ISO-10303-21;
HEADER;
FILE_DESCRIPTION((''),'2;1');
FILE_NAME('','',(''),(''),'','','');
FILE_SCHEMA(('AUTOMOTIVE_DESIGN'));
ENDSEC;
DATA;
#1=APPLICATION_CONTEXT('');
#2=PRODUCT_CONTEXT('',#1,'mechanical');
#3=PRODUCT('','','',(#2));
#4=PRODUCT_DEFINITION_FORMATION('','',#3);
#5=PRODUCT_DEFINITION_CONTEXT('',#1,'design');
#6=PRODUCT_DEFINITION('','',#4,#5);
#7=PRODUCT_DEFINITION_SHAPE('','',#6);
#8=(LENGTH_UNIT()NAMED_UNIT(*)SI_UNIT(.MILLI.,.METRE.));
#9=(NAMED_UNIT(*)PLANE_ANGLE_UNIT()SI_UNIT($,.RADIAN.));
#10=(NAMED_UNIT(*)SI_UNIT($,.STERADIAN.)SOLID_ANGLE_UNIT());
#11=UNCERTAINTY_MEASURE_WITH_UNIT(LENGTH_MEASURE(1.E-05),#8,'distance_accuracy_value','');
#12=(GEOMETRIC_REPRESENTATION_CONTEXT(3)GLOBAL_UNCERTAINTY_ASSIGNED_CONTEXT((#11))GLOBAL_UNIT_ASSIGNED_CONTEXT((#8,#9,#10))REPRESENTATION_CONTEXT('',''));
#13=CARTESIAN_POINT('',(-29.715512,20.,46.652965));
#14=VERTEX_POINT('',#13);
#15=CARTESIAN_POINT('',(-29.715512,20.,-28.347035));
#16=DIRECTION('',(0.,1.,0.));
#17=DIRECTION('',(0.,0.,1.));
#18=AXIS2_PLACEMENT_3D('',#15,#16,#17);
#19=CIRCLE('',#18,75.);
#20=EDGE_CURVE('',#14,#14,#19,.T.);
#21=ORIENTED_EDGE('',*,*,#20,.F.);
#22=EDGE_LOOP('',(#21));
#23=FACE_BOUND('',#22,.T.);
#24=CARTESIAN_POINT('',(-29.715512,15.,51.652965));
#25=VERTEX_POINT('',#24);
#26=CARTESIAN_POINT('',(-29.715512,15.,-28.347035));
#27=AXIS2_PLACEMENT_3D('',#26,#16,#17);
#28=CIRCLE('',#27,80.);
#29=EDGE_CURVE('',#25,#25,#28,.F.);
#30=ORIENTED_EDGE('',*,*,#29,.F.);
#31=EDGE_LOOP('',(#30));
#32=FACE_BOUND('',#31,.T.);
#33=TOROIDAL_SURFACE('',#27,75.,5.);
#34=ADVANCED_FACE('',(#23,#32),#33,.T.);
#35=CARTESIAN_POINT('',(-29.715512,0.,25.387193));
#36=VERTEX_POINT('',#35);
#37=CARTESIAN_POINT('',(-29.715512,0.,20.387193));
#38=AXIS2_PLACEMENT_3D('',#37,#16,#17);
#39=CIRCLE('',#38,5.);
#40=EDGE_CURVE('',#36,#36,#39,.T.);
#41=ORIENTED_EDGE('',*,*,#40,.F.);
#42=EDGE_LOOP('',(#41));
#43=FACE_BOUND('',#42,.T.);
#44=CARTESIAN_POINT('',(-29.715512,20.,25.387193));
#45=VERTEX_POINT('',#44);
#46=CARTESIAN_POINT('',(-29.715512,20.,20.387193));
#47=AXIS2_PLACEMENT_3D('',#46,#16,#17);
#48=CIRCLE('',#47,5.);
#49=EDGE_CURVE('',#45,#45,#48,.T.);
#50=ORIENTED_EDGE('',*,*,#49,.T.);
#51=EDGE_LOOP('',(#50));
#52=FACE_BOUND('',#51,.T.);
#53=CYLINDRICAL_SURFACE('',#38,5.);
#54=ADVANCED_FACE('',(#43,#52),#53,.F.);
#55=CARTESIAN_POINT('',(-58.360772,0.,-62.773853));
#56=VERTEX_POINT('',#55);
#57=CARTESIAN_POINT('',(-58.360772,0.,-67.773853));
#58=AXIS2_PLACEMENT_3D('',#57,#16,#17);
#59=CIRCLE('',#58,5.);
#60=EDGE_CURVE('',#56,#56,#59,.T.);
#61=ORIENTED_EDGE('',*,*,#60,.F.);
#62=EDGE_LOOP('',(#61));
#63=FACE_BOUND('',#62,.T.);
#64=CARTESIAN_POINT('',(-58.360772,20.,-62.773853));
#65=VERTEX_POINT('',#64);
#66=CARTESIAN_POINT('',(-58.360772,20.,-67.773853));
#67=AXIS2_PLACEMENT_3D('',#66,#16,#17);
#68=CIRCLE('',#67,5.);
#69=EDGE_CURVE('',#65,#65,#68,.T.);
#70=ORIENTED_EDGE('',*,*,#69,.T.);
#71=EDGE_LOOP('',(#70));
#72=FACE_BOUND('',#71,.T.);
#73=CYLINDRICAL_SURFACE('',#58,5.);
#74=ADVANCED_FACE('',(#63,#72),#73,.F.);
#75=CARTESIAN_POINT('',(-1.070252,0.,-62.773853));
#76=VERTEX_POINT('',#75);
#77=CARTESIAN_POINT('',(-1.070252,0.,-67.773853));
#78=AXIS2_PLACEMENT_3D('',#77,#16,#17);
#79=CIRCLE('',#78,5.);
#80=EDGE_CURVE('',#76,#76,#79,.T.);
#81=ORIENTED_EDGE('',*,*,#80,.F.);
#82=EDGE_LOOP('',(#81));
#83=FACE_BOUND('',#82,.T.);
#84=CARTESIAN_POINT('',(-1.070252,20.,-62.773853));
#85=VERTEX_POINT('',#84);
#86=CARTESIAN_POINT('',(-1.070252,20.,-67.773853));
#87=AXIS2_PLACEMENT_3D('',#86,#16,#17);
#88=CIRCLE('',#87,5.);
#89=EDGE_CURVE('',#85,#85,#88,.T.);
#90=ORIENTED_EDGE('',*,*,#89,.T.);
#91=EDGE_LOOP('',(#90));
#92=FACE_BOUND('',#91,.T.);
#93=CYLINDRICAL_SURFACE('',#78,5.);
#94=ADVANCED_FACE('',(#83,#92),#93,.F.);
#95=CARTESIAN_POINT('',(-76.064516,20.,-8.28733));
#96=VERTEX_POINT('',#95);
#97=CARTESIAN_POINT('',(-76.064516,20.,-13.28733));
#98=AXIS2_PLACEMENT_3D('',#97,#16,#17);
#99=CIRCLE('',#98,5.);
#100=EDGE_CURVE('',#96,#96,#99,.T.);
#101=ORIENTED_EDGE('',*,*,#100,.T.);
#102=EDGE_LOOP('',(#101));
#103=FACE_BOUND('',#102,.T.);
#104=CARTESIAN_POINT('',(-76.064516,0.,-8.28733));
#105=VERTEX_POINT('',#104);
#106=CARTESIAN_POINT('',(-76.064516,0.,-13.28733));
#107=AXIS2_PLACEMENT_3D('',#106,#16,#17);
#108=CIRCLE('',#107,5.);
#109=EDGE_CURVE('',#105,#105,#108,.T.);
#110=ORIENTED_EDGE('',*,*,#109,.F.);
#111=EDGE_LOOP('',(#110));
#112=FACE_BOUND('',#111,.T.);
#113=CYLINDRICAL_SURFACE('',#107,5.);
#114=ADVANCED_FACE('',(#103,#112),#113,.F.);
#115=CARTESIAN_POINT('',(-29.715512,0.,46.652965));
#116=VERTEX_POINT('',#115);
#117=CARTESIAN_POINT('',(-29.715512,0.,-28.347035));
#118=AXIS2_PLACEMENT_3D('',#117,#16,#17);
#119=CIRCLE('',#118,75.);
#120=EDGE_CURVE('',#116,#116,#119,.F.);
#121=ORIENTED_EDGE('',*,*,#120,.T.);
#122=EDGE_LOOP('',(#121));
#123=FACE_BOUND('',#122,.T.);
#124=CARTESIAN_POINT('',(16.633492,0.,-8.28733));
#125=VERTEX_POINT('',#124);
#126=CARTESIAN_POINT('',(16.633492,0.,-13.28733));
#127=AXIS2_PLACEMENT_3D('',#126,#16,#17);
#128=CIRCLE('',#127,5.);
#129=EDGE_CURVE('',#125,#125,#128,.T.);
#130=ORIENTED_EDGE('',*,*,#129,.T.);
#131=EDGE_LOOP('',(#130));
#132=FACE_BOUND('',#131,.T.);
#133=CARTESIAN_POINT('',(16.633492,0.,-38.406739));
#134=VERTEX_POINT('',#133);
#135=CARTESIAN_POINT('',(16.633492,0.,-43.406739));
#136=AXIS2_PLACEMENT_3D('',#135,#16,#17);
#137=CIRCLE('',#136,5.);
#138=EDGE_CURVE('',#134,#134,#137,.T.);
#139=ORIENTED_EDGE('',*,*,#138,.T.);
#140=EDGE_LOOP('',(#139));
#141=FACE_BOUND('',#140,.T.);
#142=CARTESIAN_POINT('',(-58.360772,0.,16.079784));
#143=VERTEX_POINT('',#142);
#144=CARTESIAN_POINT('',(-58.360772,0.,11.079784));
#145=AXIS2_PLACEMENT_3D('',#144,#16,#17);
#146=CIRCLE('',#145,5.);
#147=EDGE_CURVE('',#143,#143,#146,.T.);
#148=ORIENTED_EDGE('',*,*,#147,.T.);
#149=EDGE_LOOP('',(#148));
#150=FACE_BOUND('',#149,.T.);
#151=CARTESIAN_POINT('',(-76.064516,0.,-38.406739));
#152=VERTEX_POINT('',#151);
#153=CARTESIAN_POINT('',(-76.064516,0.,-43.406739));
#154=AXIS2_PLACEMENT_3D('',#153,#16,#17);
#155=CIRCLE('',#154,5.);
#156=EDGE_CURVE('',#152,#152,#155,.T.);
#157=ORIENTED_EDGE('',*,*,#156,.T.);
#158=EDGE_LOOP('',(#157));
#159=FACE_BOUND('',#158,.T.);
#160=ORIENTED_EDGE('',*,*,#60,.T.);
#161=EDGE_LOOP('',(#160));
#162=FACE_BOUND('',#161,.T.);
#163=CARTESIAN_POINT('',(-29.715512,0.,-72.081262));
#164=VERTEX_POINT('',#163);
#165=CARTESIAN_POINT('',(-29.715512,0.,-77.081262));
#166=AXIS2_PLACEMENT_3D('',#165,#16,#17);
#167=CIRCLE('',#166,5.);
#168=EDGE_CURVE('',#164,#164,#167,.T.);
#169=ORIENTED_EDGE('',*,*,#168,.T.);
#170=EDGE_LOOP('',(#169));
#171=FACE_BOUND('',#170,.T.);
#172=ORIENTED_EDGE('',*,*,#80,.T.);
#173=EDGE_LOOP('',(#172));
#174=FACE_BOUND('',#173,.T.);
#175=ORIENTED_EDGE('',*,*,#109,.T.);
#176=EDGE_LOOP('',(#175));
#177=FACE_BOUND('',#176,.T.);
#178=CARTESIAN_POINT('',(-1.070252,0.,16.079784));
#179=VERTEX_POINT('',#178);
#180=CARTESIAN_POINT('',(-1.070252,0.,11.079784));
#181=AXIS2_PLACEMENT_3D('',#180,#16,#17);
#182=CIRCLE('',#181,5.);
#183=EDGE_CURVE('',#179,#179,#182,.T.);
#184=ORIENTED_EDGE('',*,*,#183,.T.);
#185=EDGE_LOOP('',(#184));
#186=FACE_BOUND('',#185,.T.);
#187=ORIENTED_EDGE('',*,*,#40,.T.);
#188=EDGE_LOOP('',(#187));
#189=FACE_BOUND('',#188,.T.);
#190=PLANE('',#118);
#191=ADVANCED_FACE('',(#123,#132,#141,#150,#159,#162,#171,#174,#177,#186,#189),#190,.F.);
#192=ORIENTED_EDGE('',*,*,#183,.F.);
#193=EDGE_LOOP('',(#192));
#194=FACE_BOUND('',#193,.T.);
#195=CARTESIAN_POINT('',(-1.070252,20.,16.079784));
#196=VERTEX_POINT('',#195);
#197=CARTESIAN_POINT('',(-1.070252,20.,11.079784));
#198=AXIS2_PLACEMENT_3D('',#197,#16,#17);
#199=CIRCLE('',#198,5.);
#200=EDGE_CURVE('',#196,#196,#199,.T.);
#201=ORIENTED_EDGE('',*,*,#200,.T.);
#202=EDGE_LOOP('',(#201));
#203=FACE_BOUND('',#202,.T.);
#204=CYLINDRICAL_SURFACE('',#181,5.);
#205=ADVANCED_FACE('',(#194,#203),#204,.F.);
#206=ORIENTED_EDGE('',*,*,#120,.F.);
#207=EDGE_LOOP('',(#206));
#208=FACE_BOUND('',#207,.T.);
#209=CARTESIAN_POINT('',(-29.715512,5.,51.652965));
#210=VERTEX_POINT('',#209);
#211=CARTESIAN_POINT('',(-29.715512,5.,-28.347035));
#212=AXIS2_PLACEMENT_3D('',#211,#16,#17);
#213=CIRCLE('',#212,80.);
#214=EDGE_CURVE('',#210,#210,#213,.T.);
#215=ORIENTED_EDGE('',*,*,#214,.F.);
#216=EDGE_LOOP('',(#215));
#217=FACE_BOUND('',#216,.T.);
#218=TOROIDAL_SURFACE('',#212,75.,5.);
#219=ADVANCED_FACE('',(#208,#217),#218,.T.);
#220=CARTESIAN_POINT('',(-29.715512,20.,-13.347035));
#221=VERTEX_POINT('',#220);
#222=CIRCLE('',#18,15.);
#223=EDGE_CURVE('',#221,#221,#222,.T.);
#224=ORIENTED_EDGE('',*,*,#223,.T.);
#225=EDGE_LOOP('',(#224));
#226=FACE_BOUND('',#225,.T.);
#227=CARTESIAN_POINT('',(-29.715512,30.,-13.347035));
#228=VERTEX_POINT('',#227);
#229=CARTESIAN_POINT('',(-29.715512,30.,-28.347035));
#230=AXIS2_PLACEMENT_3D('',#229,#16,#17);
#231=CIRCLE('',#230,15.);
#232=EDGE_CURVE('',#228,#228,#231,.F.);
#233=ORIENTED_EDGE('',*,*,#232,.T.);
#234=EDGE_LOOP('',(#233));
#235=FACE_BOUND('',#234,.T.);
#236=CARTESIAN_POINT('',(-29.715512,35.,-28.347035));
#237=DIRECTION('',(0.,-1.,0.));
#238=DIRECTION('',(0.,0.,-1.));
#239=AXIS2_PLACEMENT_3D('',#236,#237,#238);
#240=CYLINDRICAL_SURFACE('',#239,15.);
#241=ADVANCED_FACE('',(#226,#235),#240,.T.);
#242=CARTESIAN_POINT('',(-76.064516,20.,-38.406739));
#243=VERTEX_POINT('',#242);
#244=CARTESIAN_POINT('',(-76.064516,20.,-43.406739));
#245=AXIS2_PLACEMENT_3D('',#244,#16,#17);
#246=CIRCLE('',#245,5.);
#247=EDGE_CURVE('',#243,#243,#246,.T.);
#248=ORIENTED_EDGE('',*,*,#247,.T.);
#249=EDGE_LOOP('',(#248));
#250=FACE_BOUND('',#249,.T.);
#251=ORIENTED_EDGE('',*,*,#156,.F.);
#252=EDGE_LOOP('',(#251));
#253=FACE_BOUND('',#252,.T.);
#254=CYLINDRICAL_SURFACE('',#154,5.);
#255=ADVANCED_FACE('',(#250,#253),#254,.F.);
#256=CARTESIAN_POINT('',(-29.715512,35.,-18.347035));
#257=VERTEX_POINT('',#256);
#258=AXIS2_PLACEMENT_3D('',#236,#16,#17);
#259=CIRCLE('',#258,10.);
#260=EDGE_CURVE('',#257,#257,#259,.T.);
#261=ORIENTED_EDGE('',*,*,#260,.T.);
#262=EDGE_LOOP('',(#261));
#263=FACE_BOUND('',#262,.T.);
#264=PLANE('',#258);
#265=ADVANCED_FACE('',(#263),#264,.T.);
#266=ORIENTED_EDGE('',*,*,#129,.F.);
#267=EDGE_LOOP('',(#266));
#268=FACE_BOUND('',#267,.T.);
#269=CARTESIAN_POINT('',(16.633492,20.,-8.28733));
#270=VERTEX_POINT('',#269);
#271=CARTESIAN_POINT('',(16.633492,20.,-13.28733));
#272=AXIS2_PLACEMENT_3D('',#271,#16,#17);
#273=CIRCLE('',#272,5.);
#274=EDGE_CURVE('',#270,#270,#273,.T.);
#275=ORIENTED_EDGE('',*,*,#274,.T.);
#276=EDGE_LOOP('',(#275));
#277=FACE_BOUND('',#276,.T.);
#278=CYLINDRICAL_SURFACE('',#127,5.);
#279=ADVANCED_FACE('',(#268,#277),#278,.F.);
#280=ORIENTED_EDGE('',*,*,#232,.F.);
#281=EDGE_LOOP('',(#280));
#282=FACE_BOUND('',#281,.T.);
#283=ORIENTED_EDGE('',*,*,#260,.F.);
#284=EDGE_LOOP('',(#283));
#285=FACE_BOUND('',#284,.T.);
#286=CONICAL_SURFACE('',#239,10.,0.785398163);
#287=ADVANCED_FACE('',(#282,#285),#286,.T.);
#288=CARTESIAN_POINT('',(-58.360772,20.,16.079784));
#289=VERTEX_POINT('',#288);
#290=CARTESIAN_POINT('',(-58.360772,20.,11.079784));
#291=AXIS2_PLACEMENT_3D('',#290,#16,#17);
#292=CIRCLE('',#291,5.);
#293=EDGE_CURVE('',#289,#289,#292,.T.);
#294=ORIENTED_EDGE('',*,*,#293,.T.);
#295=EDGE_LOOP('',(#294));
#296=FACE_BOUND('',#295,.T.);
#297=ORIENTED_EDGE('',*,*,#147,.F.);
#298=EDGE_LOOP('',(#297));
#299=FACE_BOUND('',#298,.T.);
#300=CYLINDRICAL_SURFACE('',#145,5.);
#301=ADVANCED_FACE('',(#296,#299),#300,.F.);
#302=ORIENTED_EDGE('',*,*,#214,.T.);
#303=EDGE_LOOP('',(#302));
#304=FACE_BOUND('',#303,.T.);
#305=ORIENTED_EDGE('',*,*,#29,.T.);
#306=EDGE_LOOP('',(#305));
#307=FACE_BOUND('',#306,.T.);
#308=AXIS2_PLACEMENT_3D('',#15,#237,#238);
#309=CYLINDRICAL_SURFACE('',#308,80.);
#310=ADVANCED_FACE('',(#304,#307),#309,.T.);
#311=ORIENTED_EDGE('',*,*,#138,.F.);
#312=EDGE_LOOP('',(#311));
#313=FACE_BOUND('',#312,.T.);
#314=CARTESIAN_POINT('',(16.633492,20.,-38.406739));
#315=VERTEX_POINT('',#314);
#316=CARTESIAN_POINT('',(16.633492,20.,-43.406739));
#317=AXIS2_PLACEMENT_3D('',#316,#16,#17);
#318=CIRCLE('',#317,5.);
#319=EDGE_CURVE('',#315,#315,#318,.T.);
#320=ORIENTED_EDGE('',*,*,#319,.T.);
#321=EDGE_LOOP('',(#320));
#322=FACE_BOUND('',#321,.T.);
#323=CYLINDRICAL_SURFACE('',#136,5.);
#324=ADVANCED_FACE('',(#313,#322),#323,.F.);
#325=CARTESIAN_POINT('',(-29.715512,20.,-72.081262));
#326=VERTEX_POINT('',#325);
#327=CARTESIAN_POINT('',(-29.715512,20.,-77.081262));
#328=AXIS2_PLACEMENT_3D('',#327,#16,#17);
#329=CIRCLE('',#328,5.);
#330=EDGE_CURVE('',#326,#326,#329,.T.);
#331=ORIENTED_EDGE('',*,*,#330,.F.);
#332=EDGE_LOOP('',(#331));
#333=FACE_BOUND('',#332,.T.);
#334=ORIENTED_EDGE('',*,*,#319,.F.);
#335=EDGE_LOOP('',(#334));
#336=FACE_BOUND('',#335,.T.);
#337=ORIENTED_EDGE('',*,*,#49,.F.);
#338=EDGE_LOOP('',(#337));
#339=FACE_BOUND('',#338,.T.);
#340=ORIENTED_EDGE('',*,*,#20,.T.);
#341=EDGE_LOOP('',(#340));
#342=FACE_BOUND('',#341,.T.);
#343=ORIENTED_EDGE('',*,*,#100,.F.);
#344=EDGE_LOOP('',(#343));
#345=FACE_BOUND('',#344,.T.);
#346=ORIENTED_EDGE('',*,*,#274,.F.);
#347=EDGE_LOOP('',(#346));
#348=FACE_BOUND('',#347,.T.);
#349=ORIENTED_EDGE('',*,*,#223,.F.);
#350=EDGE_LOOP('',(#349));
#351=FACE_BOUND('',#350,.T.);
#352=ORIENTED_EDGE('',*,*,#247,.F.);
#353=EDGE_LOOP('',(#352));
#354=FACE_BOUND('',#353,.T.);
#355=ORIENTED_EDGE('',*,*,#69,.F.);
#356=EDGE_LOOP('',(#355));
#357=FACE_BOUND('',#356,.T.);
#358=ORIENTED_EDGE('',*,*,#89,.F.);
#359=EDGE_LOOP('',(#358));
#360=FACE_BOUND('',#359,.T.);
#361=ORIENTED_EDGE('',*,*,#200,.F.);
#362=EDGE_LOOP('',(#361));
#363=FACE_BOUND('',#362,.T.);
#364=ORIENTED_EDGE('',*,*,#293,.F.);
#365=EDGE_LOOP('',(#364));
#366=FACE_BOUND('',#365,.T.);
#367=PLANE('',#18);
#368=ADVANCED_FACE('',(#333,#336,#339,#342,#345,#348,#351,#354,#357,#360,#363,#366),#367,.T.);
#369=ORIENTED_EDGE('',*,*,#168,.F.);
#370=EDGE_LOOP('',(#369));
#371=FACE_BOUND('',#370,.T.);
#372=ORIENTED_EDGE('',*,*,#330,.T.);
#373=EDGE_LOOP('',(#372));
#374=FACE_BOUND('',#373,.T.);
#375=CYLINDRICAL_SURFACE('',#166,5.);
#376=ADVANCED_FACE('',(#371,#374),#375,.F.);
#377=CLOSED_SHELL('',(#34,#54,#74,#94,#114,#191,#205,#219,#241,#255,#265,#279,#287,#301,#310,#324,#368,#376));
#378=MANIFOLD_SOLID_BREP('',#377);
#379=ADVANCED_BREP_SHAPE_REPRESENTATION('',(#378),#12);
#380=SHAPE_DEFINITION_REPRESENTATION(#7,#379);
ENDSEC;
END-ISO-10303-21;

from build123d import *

# Parameters (mm, degrees)
SKETCH1_R           = 80
BOSS_EXTRUDE1_DEPTH = 20
SKETCH3_R           = 15
BOSS_EXTRUDE2_DEPTH = 15
CHAMFER1_SIZE       = 5
FILLET2_R           = 5
FILLET3_R           = 5
SKETCH4_R           = 5
CUT_EXTRUDE2_DEPTH  = 20


with BuildPart() as part:
    # Sketch1 → Boss-Extrude1 (new body)
    with BuildSketch(Plane(origin=(0, 0, 0), x_dir=(1, 0, 0), z_dir=(0, 1, 0))):
        with Locations(Location((-29.715512057, 28.347034528, 0), (0, 0, 270))):
            Circle(SKETCH1_R)
    extrude(amount=BOSS_EXTRUDE1_DEPTH)

    # Sketch3 → Boss-Extrude2 (add)
    with BuildSketch(Plane(origin=(0, 20, 0), x_dir=(1, 0, 0), z_dir=(0, 1, 0))):
        with Locations(Location((-29.715512057, 28.347034528, 0), (0, 0, 270))):
            Circle(SKETCH3_R)
    extrude(amount=BOSS_EXTRUDE2_DEPTH)

    # Chamfer1
    chamfer1_edges = [part.edges().sort_by_distance(p)[0] for p in [
        (-29.715512057, 35, -43.347034528),
    ]]
    chamfer(chamfer1_edges, length=CHAMFER1_SIZE)

    # Fillet2
    fillet2_edges = [part.edges().sort_by_distance(p)[0] for p in [
        (-29.715512057, 20, -108.347034528),
    ]]
    fillet(fillet2_edges, radius=FILLET2_R)

    # Fillet3
    fillet3_edges = [part.edges().sort_by_distance(p)[0] for p in [
        (-29.715512057, 0, -108.347034528),
    ]]
    fillet(fillet3_edges, radius=FILLET3_R)

    # Sketch4 → Cut-Extrude2 (cut)
    with BuildSketch(Plane(origin=(0, 20, 0), x_dir=(1, 0, 0), z_dir=(0, 1, 0))):
        with Locations(Location((-29.715512057, 77.081261822, 0), (0, 0, 270))):
            Circle(SKETCH4_R)
        with Locations(Location((-1.070251971, 67.773852617, 0), (0, 0, 270))):
            Circle(SKETCH4_R)
        with Locations(Location((16.633492378, 43.406738969, 0), (0, 0, 270))):
            Circle(SKETCH4_R)
        with Locations(Location((16.633492378, 13.287330086, 0), (0, 0, 270))):
            Circle(SKETCH4_R)
        with Locations(Location((-1.070251971, -11.079783561, 0), (0, 0, 270))):
            Circle(SKETCH4_R)
        with Locations(Location((-29.715512057, -20.387192767, 0), (0, 0, 270))):
            Circle(SKETCH4_R)
        with Locations(Location((-58.360772142, -11.079783561, 0), (0, 0, 270))):
            Circle(SKETCH4_R)
        with Locations(Location((-76.064516492, 13.287330086, 0), (0, 0, 270))):
            Circle(SKETCH4_R)
        with Locations(Location((-76.064516492, 43.406738969, 0), (0, 0, 270))):
            Circle(SKETCH4_R)
        with Locations(Location((-58.360772142, 67.773852617, 0), (0, 0, 270))):
            Circle(SKETCH4_R)
    extrude(amount=-CUT_EXTRUDE2_DEPTH, mode=Mode.SUBTRACT)


solid = part.part
